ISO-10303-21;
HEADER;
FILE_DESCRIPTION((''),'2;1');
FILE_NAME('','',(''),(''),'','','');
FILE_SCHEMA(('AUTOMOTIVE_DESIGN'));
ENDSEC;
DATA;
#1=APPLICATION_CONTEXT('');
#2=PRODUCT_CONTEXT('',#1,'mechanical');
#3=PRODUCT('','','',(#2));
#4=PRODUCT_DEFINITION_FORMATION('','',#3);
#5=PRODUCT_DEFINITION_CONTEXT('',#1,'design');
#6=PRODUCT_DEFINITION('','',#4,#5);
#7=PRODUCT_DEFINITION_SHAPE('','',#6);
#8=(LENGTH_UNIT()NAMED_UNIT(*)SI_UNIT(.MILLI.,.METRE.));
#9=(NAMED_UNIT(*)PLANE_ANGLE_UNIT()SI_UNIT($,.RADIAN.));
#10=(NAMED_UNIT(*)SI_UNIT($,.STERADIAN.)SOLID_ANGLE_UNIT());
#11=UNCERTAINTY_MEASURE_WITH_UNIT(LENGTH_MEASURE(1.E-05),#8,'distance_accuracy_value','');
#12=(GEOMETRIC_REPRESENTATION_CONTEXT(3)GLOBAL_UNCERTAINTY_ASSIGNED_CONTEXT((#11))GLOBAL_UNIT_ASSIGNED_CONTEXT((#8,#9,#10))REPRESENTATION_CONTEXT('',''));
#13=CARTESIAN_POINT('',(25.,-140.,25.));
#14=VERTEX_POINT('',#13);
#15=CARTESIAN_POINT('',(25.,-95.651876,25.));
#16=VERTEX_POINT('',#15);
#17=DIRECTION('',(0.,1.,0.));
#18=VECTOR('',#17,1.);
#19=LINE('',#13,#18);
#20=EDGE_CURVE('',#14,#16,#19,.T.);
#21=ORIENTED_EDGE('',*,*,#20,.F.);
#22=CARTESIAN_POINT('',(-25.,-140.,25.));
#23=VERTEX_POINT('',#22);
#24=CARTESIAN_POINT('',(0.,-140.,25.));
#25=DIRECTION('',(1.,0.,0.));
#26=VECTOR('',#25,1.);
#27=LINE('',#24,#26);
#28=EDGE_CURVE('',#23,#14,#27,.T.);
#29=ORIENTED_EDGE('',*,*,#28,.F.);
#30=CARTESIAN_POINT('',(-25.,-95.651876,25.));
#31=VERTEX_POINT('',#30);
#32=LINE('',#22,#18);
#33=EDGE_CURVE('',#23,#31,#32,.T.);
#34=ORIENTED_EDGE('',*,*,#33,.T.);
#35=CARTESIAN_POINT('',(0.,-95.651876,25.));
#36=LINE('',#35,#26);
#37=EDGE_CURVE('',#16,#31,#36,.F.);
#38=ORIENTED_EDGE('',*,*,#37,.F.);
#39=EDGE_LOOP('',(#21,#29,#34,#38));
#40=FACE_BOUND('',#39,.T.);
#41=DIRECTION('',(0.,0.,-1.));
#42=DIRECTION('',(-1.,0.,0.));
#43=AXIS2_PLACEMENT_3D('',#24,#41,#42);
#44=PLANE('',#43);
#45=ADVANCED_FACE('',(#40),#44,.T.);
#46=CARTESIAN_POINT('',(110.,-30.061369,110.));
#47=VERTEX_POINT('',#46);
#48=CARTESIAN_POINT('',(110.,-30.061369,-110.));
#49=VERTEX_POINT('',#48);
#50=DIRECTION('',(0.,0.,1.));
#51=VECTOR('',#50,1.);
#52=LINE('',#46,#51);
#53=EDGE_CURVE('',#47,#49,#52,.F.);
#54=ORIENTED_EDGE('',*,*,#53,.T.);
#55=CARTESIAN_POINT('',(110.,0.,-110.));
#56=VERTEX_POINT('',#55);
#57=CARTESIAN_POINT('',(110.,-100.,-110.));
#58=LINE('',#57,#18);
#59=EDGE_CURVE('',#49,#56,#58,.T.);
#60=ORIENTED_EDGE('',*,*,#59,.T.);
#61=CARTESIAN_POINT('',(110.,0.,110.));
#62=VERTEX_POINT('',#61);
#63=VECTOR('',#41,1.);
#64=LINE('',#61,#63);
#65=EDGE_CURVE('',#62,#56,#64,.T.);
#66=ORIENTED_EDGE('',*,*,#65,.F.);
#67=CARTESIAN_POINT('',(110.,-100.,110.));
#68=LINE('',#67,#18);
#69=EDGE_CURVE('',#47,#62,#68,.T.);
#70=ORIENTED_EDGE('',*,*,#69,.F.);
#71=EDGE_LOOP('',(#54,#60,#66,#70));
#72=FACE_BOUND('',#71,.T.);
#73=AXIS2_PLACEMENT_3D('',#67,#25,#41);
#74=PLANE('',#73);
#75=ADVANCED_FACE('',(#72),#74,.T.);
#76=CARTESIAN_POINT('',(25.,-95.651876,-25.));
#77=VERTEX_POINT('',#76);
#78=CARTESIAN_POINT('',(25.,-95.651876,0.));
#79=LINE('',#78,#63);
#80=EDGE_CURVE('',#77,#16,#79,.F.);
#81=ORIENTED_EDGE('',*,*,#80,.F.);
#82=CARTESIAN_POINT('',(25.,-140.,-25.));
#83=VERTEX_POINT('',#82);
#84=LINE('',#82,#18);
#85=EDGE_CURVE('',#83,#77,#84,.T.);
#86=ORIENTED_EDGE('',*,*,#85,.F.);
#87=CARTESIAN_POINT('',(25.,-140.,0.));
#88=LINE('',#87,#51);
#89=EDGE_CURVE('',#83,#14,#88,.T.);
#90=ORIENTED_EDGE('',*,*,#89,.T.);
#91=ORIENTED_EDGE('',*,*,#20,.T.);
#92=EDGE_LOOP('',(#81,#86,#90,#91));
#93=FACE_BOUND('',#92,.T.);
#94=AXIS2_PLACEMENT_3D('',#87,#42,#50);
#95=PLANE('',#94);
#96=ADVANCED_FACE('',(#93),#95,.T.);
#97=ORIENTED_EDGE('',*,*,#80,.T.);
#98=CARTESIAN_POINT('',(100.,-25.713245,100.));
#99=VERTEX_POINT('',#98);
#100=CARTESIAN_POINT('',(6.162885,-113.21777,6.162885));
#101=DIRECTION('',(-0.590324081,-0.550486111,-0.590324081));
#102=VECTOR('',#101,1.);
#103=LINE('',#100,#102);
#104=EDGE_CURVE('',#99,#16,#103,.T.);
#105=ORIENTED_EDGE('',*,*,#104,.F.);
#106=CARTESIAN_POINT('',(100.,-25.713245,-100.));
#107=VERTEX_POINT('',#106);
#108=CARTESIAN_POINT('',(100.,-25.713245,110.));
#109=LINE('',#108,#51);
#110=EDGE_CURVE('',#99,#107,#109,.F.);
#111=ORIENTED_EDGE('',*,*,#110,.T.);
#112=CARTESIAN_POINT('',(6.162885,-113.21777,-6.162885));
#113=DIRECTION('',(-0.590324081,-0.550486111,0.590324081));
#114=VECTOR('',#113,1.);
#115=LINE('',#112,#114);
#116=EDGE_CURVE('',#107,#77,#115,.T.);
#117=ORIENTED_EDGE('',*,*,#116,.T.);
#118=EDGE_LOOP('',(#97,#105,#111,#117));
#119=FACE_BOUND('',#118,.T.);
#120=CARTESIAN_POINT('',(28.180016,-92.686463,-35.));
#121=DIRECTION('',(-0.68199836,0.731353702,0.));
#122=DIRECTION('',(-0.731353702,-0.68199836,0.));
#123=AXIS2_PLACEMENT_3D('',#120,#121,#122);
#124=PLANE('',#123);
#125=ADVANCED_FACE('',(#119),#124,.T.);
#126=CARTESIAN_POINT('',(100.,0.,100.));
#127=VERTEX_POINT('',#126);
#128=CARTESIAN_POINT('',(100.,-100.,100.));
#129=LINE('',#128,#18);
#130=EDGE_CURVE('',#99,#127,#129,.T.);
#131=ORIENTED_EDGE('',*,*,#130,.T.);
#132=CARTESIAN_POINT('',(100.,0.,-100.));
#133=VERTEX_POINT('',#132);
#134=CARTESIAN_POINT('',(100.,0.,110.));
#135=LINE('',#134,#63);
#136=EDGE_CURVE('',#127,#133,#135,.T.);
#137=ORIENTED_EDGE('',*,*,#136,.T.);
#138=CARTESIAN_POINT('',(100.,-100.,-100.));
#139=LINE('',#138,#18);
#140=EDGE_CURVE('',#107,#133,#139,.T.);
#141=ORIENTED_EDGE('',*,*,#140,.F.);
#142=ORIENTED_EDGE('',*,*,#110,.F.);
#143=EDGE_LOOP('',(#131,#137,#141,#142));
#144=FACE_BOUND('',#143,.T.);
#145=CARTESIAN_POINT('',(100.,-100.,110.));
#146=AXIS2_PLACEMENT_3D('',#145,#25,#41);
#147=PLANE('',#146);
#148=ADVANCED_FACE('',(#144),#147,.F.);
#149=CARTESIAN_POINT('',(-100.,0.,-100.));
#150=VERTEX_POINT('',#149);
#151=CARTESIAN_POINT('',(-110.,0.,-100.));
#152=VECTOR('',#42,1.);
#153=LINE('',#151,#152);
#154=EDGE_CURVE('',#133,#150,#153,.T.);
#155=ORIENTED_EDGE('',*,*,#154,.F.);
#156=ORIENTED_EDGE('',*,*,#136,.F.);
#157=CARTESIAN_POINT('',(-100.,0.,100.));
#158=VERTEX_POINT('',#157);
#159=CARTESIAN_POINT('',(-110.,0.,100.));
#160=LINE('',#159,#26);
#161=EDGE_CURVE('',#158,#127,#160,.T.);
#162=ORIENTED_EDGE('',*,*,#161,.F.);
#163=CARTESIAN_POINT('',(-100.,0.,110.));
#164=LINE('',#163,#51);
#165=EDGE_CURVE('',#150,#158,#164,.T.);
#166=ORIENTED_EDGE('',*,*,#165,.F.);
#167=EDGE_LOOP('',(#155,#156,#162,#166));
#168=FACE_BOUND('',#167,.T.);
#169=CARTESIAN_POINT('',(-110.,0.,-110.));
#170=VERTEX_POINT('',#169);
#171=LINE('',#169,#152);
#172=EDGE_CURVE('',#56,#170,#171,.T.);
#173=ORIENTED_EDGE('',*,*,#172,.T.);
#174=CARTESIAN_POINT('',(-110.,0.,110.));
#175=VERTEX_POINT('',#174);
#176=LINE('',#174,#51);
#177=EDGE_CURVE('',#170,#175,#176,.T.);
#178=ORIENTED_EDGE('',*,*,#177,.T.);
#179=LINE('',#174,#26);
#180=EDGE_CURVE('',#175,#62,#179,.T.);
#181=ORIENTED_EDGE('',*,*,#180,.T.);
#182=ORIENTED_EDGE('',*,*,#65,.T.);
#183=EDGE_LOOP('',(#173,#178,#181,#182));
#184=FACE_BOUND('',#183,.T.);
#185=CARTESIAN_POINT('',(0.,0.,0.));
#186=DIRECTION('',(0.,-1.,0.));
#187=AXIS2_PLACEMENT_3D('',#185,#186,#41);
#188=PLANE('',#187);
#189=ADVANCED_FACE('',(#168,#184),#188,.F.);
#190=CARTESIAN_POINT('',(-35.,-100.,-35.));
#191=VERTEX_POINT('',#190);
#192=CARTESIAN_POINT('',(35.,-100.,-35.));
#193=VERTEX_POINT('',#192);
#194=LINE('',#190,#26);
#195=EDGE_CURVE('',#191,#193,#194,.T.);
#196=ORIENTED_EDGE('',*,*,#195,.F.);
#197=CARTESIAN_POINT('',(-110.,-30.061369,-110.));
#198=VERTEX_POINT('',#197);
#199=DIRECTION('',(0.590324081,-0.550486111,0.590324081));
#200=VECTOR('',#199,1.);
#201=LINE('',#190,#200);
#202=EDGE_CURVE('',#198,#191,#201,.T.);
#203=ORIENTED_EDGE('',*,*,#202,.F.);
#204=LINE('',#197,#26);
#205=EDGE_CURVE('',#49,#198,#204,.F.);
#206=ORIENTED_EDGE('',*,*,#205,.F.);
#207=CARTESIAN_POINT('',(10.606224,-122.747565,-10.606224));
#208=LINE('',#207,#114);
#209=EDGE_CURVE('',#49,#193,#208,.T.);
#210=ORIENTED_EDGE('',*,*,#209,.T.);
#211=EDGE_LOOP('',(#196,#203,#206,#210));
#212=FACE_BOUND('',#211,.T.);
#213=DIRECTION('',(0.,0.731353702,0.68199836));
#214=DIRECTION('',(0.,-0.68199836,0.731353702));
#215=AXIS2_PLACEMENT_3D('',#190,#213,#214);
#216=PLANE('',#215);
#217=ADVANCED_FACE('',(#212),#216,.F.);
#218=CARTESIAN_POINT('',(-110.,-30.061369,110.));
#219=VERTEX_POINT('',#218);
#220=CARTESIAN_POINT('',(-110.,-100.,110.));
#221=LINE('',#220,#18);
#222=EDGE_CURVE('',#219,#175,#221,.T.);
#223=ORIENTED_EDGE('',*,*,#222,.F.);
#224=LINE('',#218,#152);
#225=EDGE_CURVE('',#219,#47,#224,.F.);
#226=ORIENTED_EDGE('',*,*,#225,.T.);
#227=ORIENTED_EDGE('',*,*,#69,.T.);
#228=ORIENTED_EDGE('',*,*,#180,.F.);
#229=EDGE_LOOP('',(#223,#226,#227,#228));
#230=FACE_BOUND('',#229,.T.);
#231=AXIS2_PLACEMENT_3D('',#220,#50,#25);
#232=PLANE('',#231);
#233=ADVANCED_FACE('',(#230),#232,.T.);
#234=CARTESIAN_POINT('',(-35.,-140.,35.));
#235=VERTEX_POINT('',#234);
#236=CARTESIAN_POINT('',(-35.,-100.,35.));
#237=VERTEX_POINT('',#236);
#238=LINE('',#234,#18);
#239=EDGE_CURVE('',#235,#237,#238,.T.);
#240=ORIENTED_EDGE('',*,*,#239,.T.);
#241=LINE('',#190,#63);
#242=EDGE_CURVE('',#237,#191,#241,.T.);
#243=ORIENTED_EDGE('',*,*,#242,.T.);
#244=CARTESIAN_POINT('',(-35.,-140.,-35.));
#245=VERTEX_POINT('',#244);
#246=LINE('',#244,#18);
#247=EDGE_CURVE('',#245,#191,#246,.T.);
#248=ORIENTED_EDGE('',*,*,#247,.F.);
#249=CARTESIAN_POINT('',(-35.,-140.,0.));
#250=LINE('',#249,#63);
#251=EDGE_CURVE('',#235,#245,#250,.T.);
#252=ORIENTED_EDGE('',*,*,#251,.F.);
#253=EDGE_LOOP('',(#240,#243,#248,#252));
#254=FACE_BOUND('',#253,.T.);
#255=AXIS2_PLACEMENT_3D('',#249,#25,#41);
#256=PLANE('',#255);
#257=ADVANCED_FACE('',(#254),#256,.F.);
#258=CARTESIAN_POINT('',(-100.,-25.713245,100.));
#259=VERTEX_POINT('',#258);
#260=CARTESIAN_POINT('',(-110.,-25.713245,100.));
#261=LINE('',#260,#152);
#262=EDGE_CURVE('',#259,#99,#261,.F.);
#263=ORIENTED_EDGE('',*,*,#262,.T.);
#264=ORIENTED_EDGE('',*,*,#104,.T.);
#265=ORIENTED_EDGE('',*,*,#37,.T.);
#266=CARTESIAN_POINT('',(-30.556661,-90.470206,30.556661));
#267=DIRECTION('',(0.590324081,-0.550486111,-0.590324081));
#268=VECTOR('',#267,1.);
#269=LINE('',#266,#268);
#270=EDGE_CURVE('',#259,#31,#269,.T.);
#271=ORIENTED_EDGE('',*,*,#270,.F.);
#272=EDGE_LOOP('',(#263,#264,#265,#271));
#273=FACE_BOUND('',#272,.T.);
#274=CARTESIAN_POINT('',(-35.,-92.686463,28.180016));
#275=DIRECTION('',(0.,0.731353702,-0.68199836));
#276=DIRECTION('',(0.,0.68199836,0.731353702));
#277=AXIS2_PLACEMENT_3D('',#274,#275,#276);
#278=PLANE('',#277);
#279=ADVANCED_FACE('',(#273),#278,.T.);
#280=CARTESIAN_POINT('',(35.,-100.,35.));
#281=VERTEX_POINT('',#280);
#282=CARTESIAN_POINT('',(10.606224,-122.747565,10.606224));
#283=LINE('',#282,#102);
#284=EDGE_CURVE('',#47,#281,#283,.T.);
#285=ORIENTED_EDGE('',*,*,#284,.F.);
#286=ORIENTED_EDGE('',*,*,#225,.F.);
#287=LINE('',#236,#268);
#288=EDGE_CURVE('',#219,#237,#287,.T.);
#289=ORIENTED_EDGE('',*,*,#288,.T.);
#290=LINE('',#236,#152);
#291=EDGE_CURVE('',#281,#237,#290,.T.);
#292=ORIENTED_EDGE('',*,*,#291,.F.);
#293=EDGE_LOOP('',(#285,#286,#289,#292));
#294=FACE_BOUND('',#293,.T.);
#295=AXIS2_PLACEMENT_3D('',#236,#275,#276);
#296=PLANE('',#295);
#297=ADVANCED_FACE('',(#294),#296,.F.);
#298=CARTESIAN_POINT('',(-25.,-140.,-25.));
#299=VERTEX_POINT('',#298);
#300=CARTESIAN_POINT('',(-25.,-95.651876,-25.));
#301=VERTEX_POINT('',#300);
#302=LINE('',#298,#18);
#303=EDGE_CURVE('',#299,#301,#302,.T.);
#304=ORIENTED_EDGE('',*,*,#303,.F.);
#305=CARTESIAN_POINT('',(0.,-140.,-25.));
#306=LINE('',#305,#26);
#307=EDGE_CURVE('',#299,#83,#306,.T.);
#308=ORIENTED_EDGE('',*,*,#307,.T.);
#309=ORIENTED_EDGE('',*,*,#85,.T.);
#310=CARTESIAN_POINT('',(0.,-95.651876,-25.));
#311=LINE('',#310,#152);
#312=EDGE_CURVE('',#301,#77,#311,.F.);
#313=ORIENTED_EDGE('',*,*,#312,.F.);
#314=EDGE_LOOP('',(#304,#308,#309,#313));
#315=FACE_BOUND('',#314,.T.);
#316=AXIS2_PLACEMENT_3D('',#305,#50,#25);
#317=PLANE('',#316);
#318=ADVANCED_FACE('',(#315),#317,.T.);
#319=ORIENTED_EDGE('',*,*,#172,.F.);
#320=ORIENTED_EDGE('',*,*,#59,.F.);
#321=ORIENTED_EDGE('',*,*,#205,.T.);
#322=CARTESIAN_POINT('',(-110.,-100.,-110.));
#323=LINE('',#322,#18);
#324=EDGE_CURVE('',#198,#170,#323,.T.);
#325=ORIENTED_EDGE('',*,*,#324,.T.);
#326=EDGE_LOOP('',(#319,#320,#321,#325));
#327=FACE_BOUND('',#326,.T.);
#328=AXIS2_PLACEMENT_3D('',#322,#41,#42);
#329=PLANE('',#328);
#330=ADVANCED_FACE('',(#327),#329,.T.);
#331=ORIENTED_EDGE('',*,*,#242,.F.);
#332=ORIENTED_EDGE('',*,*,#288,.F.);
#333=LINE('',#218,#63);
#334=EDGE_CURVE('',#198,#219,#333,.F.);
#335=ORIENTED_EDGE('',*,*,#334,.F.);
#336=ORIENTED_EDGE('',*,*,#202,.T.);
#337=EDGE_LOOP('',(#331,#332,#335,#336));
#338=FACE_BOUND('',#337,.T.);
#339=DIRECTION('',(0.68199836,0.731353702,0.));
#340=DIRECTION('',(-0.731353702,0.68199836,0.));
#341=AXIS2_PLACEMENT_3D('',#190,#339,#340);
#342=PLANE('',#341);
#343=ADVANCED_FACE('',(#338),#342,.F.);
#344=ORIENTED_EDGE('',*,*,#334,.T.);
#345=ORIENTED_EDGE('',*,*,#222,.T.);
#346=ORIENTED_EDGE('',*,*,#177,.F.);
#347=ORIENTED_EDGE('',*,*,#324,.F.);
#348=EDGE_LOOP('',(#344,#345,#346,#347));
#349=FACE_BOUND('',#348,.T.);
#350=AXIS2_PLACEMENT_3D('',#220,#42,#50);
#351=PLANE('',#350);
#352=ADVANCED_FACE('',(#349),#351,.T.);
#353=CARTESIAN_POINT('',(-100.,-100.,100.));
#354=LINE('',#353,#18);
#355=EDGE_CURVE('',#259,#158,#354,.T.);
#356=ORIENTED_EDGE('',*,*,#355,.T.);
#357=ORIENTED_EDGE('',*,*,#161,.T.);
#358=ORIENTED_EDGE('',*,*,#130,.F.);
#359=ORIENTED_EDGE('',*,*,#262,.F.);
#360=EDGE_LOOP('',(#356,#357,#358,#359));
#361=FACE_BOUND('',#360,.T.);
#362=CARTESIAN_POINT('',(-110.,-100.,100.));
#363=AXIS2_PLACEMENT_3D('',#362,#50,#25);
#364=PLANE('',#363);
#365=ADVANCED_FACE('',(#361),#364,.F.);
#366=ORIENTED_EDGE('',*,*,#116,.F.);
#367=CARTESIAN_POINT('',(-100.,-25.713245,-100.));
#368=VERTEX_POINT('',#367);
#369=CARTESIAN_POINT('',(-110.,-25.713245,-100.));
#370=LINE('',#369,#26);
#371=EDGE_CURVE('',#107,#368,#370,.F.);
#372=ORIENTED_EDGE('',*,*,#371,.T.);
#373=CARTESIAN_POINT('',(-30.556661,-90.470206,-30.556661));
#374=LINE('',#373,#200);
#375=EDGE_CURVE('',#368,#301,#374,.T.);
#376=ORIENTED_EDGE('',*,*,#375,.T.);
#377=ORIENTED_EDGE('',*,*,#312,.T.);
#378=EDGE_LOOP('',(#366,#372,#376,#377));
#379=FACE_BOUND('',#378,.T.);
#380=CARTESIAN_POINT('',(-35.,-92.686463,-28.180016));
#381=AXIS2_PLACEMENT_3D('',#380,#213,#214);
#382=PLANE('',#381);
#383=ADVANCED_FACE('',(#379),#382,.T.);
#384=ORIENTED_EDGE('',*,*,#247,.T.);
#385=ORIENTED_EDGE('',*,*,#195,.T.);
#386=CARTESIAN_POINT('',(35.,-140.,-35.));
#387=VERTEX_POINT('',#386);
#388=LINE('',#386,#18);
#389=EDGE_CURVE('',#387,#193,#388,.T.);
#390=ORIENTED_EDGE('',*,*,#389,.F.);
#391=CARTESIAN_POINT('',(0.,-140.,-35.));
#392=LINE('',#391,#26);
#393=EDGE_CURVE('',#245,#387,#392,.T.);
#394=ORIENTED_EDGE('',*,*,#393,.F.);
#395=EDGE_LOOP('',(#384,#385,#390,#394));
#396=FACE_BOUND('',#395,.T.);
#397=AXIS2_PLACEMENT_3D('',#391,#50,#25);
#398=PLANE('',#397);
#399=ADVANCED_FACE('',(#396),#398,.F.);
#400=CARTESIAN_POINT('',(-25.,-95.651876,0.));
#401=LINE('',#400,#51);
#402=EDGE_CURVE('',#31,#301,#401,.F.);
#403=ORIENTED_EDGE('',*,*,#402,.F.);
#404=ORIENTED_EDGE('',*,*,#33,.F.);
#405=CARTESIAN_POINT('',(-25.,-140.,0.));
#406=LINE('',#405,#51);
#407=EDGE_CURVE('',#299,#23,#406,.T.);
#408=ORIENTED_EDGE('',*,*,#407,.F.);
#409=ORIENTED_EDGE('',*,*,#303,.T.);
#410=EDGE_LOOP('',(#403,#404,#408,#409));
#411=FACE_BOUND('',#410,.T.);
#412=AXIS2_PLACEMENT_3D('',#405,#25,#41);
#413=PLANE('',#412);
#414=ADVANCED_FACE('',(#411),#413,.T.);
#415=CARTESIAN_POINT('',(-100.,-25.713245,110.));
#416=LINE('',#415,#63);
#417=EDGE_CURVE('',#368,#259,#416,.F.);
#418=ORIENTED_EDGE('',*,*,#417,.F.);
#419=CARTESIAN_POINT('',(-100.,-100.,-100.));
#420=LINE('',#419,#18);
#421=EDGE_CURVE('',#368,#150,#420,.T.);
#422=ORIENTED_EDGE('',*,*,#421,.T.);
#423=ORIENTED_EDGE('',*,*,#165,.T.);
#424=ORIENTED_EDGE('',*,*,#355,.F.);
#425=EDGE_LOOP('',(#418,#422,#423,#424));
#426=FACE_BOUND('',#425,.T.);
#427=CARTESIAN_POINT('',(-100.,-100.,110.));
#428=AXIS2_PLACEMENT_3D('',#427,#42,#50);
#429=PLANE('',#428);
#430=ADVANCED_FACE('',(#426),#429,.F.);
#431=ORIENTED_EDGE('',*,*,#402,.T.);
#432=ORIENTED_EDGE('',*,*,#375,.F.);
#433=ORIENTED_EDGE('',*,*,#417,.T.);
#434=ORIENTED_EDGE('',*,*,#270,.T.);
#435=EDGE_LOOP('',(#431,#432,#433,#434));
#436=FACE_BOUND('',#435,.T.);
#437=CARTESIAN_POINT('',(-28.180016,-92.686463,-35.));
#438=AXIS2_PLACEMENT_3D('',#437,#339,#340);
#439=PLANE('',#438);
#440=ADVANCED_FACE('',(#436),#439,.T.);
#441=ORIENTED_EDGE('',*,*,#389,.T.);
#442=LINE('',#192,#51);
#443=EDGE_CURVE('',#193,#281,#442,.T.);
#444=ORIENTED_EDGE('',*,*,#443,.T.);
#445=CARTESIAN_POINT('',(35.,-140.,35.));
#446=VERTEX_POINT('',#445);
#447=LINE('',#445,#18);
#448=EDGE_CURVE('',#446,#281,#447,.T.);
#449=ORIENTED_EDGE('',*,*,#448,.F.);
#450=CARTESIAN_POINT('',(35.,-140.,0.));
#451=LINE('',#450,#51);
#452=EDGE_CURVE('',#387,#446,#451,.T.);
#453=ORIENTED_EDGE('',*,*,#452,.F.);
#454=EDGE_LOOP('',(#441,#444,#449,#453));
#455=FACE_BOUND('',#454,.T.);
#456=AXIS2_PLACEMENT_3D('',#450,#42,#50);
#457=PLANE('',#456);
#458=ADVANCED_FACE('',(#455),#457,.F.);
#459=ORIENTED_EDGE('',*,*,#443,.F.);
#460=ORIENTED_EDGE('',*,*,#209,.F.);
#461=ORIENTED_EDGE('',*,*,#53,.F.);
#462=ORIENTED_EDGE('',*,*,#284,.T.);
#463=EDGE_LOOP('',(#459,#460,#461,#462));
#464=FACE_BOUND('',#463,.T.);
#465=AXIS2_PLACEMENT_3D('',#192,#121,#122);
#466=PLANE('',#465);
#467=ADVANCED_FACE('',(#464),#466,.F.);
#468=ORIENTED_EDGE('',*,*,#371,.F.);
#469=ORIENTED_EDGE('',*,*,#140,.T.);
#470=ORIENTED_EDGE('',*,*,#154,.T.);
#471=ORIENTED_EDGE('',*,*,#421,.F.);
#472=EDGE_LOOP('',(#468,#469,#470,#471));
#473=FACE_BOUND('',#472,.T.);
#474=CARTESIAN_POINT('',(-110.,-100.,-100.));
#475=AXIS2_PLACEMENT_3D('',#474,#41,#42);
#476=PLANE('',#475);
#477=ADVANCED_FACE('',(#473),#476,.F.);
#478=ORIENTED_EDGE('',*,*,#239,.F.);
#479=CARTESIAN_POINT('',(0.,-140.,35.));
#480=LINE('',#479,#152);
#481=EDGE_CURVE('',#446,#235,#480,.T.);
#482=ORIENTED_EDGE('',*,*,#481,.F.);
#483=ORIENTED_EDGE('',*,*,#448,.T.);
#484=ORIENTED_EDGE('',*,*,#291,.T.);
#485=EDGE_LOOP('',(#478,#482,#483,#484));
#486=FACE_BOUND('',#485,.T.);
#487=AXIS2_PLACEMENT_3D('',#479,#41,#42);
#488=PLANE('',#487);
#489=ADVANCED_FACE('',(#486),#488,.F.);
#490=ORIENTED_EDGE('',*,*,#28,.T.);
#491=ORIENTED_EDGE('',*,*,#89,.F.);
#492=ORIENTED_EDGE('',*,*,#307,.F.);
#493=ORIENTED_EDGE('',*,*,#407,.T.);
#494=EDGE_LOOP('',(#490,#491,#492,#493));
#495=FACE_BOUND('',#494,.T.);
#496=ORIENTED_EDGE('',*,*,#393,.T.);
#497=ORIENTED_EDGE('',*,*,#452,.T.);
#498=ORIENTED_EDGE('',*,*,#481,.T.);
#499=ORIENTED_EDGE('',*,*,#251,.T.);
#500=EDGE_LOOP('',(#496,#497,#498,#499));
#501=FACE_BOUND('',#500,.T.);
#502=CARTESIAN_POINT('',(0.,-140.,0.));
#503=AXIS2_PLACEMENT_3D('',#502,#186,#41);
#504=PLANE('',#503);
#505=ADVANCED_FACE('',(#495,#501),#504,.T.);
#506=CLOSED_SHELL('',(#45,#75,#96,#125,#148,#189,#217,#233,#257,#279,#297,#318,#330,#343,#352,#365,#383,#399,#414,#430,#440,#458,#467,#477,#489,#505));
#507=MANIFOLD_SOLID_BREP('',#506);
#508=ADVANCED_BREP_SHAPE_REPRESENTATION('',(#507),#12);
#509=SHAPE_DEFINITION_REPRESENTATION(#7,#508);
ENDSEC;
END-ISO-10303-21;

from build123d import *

# Parameters (mm, degrees)
CROQUIS1_W              = 220
CROQUIS1_H              = 220
SALIENTE_EXTRUIR1_DEPTH = 100
CROQUIS2_OUTSIDE_W      = 437.492
CROQUIS2_OUTSIDE_H      = 437.492
CROQUIS2_OUTSIDE_W_2    = 70
CROQUIS2_OUTSIDE_H_2    = 70
CORTAR_EXTRUIR1_DEPTH   = 70
CORTAR_EXTRUIR1_TAPER   = 47
CROQUIS3_W              = 70
CROQUIS3_H              = 70
SALIENTE_EXTRUIR2_DEPTH = 40
VACIADO1_T              = -10
CROQUIS3_3_W            = 50
CROQUIS3_3_H            = 50
CORTAR_EXTRUIR2_DEPTH   = 40


with BuildPart() as part:
    # Croquis1 → Saliente-Extruir1 (new body)
    with BuildSketch(Plane(origin=(0, 0, 0), x_dir=(1, 0, 0), z_dir=(0, 1, 0))):
        Rectangle(CROQUIS1_W, CROQUIS1_H)
    extrude(amount=-SALIENTE_EXTRUIR1_DEPTH)

    # Croquis2 outside → Cortar-Extruir1 (cut)
    with BuildSketch(Plane.XZ.offset(100)):
        Rectangle(CROQUIS2_OUTSIDE_W, CROQUIS2_OUTSIDE_H)
        Rectangle(CROQUIS2_OUTSIDE_W_2, CROQUIS2_OUTSIDE_H_2, mode=Mode.SUBTRACT)
    extrude(amount=-CORTAR_EXTRUIR1_DEPTH, taper=CORTAR_EXTRUIR1_TAPER, mode=Mode.SUBTRACT)

    # Croquis3 → Saliente-Extruir2 (add)
    with BuildSketch(Plane.XZ.offset(100)):
        Rectangle(CROQUIS3_W, CROQUIS3_H)
    extrude(amount=SALIENTE_EXTRUIR2_DEPTH)

    # Vaciado1
    vaciado1_openings = [part.faces().sort_by_distance(p)[0] for p in [
        (0, 0, 0),
    ]]
    offset(amount=VACIADO1_T, openings=vaciado1_openings, kind=Kind.INTERSECTION)

    # Croquis3<3> → Cortar-Extruir2 (cut)
    with BuildSketch(Plane.XZ.offset(100)):
        Rectangle(CROQUIS3_3_W, CROQUIS3_3_H)
    extrude(amount=CORTAR_EXTRUIR2_DEPTH, mode=Mode.SUBTRACT)


solid = part.part
